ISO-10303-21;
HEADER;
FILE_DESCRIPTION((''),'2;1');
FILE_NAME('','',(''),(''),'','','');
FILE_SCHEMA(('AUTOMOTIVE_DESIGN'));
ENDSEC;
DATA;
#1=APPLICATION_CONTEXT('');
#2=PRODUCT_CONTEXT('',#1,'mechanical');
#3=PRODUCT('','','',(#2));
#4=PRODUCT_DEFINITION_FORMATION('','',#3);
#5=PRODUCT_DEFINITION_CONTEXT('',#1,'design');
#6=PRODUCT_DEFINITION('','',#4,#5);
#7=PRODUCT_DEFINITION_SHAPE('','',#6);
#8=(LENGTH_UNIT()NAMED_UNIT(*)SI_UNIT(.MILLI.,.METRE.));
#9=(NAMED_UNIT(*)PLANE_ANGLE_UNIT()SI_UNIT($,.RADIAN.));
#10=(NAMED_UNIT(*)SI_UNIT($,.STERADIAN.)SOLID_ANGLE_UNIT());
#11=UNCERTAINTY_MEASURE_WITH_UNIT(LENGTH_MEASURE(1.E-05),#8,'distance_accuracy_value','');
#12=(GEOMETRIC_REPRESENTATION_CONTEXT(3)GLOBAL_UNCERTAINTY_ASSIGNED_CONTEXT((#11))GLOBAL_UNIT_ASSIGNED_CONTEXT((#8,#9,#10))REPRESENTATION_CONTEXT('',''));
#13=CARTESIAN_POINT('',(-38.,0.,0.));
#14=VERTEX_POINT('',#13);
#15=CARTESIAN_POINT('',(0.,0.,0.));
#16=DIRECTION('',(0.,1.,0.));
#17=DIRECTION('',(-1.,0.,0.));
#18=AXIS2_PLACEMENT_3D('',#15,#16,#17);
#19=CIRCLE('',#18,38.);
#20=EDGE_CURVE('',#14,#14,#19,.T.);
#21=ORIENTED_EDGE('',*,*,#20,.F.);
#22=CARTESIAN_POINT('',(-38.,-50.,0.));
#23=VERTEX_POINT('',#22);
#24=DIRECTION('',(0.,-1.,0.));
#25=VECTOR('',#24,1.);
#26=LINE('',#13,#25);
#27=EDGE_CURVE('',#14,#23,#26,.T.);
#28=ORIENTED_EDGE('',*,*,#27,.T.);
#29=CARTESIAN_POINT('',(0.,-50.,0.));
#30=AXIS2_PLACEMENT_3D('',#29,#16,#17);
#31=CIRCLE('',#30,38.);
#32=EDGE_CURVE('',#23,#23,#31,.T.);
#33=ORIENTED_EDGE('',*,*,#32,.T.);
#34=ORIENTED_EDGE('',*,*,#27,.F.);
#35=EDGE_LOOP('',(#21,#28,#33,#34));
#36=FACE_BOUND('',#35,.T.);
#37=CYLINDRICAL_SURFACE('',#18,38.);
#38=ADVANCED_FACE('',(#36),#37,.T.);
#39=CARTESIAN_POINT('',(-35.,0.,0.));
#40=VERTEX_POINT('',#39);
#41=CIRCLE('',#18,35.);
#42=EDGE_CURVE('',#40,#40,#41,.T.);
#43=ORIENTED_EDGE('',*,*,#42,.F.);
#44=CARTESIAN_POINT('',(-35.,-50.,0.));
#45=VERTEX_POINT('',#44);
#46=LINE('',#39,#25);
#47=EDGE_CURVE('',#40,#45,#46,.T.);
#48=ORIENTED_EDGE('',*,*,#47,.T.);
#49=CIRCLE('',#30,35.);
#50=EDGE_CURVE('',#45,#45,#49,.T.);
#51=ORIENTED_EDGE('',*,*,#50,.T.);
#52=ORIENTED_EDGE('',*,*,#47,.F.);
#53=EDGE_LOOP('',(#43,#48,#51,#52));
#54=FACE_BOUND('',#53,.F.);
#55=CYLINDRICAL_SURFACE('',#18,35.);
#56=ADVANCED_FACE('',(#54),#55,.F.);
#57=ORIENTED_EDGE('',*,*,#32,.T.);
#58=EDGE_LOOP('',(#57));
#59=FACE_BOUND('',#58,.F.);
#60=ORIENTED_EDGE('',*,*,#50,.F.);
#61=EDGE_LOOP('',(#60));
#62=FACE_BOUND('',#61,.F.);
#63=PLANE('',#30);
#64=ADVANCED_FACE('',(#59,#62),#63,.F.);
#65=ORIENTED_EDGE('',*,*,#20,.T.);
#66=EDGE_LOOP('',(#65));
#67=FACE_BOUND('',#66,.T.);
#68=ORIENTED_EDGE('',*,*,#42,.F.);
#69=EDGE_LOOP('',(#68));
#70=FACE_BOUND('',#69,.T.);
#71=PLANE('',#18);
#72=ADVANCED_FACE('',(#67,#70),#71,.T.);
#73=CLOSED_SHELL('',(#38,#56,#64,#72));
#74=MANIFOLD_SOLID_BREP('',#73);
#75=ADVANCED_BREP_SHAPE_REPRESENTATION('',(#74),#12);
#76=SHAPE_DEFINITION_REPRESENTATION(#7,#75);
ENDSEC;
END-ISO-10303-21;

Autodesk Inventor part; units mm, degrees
ref_plane "YZ Plane" through (0, 0, 0) normal (1, 0, 0) x (0, 1, 0)
ref_plane "XZ Plane" through (0, 0, 0) normal (0, 1, 0) x (-1, 0, 0)
ref_plane "XY Plane" through (0, 0, 0) normal (0, 0, 1) x (1, 0, 0)
sketch "Sketch1" plane through (0, 0, 0) normal (0, 1, 0) x (-1, 0, 0)
  circle A0 centre (0, 0) radius 38
  circle A1 centre (0, 0) radius 35
  dimension "d0" = 76
  dimension "d1" = 3
extrude "Extrusion1" add sketch "Sketch1" against normal blind 50
properties part number "TZS 1242 FDS  tube 1" material "ABS Plastic"
